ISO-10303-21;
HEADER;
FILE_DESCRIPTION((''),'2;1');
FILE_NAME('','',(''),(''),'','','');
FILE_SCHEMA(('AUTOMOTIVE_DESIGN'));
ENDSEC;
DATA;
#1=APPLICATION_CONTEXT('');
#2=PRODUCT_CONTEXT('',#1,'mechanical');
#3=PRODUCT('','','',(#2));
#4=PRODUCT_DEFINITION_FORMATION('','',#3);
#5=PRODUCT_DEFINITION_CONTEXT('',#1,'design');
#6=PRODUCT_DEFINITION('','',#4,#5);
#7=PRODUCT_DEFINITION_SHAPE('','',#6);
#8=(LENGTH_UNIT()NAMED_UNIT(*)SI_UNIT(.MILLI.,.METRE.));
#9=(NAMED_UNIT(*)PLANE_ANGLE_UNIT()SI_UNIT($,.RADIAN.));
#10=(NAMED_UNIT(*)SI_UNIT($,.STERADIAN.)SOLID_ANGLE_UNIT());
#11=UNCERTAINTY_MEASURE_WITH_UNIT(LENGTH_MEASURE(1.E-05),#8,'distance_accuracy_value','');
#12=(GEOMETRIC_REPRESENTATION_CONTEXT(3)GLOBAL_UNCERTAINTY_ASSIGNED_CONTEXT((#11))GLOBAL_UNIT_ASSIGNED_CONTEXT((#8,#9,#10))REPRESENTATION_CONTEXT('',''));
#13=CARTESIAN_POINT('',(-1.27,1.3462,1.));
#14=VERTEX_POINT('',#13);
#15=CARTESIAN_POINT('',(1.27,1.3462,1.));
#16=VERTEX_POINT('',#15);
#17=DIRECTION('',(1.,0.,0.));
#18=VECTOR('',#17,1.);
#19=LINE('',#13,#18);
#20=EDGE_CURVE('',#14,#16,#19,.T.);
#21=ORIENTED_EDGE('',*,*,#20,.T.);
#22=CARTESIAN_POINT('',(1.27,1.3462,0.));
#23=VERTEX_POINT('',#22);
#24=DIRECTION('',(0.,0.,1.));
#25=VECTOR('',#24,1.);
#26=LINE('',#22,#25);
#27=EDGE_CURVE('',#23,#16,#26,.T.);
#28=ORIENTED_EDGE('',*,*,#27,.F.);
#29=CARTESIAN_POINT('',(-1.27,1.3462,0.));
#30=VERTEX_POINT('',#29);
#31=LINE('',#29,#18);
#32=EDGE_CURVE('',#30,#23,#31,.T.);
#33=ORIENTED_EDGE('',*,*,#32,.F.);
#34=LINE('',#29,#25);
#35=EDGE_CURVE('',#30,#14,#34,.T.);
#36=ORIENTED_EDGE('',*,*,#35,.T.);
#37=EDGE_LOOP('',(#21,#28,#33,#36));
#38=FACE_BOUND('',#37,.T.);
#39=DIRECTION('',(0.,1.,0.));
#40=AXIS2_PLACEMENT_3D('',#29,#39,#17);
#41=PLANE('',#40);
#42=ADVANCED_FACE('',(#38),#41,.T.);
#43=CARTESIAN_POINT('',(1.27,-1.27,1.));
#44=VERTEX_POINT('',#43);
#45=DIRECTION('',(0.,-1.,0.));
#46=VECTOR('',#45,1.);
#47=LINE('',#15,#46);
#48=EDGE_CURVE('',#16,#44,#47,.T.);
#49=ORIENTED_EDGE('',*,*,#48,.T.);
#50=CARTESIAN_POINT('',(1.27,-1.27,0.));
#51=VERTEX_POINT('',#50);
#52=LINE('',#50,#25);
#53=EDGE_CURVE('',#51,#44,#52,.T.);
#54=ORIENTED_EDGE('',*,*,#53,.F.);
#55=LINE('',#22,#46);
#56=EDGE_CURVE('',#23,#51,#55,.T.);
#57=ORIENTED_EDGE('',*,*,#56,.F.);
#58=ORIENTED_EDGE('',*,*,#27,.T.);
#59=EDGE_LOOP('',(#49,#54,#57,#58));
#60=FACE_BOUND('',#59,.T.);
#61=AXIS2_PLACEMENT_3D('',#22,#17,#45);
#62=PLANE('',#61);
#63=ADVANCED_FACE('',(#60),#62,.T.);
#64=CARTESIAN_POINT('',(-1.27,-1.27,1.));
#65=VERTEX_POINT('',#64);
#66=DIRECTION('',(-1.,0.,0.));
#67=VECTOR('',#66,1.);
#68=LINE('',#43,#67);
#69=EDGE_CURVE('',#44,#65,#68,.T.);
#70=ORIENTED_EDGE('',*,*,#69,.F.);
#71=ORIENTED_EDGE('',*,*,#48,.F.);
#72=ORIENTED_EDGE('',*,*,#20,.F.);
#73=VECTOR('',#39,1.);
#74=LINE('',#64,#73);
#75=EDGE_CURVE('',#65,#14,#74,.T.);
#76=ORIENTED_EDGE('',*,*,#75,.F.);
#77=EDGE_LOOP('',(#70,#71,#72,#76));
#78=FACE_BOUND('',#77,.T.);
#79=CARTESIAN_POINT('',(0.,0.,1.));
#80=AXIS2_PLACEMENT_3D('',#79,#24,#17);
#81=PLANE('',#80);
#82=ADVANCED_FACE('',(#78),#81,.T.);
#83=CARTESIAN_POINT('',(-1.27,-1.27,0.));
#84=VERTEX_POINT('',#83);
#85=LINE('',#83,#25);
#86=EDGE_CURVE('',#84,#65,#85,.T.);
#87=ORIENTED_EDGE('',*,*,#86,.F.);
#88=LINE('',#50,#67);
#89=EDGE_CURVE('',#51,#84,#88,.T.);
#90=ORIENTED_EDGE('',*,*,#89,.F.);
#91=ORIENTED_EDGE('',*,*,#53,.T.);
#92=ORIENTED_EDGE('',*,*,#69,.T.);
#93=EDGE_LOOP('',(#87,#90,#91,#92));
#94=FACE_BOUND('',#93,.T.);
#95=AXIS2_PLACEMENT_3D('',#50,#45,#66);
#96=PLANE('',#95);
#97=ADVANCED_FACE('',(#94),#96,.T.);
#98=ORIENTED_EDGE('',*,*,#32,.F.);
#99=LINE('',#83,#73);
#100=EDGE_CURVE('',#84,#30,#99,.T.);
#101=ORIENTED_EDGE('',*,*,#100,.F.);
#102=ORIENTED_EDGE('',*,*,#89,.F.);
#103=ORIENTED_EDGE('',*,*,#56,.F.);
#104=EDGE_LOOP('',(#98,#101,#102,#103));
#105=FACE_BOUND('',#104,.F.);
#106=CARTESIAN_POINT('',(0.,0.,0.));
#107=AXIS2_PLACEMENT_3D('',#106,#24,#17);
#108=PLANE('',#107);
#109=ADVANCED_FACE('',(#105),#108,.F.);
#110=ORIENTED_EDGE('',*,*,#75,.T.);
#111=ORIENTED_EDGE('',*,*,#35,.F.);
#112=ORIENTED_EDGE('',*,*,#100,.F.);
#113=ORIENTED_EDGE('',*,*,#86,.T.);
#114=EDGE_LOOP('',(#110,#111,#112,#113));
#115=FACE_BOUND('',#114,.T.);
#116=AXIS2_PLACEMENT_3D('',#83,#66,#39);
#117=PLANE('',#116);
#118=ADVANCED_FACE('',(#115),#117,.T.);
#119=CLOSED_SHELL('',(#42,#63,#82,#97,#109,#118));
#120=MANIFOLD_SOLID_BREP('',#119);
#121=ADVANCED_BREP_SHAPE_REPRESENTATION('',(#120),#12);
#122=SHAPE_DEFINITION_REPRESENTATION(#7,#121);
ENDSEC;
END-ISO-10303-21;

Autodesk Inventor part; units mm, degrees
ref_plane "YZ Plane" through (0, 0, 0) normal (1, 0, 0) x (0, 1, 0)
ref_plane "XZ Plane" through (0, 0, 0) normal (0, 1, 0) x (-1, 0, 0)
ref_plane "XY Plane" through (0, 0, 0) normal (0, 0, 1) x (1, 0, 0)
sketch "1X01, 1X01_146" plane through (0, 0, 0) normal (0, 0, 1) x (1, 0, 0)
  line L0 (-1.27, 1.3462) -> (1.27, 1.3462)
  line L1 (1.27, 1.3462) -> (1.27, -1.27)
  line L2 (1.27, -1.27) -> (-1.27, -1.27)
  line L3 (-1.27, -1.27) -> (-1.27, 1.3462)
extrude "Extrusion1" add sketch "1X01, 1X01_146" along normal blind 1
properties part number "1X01"
